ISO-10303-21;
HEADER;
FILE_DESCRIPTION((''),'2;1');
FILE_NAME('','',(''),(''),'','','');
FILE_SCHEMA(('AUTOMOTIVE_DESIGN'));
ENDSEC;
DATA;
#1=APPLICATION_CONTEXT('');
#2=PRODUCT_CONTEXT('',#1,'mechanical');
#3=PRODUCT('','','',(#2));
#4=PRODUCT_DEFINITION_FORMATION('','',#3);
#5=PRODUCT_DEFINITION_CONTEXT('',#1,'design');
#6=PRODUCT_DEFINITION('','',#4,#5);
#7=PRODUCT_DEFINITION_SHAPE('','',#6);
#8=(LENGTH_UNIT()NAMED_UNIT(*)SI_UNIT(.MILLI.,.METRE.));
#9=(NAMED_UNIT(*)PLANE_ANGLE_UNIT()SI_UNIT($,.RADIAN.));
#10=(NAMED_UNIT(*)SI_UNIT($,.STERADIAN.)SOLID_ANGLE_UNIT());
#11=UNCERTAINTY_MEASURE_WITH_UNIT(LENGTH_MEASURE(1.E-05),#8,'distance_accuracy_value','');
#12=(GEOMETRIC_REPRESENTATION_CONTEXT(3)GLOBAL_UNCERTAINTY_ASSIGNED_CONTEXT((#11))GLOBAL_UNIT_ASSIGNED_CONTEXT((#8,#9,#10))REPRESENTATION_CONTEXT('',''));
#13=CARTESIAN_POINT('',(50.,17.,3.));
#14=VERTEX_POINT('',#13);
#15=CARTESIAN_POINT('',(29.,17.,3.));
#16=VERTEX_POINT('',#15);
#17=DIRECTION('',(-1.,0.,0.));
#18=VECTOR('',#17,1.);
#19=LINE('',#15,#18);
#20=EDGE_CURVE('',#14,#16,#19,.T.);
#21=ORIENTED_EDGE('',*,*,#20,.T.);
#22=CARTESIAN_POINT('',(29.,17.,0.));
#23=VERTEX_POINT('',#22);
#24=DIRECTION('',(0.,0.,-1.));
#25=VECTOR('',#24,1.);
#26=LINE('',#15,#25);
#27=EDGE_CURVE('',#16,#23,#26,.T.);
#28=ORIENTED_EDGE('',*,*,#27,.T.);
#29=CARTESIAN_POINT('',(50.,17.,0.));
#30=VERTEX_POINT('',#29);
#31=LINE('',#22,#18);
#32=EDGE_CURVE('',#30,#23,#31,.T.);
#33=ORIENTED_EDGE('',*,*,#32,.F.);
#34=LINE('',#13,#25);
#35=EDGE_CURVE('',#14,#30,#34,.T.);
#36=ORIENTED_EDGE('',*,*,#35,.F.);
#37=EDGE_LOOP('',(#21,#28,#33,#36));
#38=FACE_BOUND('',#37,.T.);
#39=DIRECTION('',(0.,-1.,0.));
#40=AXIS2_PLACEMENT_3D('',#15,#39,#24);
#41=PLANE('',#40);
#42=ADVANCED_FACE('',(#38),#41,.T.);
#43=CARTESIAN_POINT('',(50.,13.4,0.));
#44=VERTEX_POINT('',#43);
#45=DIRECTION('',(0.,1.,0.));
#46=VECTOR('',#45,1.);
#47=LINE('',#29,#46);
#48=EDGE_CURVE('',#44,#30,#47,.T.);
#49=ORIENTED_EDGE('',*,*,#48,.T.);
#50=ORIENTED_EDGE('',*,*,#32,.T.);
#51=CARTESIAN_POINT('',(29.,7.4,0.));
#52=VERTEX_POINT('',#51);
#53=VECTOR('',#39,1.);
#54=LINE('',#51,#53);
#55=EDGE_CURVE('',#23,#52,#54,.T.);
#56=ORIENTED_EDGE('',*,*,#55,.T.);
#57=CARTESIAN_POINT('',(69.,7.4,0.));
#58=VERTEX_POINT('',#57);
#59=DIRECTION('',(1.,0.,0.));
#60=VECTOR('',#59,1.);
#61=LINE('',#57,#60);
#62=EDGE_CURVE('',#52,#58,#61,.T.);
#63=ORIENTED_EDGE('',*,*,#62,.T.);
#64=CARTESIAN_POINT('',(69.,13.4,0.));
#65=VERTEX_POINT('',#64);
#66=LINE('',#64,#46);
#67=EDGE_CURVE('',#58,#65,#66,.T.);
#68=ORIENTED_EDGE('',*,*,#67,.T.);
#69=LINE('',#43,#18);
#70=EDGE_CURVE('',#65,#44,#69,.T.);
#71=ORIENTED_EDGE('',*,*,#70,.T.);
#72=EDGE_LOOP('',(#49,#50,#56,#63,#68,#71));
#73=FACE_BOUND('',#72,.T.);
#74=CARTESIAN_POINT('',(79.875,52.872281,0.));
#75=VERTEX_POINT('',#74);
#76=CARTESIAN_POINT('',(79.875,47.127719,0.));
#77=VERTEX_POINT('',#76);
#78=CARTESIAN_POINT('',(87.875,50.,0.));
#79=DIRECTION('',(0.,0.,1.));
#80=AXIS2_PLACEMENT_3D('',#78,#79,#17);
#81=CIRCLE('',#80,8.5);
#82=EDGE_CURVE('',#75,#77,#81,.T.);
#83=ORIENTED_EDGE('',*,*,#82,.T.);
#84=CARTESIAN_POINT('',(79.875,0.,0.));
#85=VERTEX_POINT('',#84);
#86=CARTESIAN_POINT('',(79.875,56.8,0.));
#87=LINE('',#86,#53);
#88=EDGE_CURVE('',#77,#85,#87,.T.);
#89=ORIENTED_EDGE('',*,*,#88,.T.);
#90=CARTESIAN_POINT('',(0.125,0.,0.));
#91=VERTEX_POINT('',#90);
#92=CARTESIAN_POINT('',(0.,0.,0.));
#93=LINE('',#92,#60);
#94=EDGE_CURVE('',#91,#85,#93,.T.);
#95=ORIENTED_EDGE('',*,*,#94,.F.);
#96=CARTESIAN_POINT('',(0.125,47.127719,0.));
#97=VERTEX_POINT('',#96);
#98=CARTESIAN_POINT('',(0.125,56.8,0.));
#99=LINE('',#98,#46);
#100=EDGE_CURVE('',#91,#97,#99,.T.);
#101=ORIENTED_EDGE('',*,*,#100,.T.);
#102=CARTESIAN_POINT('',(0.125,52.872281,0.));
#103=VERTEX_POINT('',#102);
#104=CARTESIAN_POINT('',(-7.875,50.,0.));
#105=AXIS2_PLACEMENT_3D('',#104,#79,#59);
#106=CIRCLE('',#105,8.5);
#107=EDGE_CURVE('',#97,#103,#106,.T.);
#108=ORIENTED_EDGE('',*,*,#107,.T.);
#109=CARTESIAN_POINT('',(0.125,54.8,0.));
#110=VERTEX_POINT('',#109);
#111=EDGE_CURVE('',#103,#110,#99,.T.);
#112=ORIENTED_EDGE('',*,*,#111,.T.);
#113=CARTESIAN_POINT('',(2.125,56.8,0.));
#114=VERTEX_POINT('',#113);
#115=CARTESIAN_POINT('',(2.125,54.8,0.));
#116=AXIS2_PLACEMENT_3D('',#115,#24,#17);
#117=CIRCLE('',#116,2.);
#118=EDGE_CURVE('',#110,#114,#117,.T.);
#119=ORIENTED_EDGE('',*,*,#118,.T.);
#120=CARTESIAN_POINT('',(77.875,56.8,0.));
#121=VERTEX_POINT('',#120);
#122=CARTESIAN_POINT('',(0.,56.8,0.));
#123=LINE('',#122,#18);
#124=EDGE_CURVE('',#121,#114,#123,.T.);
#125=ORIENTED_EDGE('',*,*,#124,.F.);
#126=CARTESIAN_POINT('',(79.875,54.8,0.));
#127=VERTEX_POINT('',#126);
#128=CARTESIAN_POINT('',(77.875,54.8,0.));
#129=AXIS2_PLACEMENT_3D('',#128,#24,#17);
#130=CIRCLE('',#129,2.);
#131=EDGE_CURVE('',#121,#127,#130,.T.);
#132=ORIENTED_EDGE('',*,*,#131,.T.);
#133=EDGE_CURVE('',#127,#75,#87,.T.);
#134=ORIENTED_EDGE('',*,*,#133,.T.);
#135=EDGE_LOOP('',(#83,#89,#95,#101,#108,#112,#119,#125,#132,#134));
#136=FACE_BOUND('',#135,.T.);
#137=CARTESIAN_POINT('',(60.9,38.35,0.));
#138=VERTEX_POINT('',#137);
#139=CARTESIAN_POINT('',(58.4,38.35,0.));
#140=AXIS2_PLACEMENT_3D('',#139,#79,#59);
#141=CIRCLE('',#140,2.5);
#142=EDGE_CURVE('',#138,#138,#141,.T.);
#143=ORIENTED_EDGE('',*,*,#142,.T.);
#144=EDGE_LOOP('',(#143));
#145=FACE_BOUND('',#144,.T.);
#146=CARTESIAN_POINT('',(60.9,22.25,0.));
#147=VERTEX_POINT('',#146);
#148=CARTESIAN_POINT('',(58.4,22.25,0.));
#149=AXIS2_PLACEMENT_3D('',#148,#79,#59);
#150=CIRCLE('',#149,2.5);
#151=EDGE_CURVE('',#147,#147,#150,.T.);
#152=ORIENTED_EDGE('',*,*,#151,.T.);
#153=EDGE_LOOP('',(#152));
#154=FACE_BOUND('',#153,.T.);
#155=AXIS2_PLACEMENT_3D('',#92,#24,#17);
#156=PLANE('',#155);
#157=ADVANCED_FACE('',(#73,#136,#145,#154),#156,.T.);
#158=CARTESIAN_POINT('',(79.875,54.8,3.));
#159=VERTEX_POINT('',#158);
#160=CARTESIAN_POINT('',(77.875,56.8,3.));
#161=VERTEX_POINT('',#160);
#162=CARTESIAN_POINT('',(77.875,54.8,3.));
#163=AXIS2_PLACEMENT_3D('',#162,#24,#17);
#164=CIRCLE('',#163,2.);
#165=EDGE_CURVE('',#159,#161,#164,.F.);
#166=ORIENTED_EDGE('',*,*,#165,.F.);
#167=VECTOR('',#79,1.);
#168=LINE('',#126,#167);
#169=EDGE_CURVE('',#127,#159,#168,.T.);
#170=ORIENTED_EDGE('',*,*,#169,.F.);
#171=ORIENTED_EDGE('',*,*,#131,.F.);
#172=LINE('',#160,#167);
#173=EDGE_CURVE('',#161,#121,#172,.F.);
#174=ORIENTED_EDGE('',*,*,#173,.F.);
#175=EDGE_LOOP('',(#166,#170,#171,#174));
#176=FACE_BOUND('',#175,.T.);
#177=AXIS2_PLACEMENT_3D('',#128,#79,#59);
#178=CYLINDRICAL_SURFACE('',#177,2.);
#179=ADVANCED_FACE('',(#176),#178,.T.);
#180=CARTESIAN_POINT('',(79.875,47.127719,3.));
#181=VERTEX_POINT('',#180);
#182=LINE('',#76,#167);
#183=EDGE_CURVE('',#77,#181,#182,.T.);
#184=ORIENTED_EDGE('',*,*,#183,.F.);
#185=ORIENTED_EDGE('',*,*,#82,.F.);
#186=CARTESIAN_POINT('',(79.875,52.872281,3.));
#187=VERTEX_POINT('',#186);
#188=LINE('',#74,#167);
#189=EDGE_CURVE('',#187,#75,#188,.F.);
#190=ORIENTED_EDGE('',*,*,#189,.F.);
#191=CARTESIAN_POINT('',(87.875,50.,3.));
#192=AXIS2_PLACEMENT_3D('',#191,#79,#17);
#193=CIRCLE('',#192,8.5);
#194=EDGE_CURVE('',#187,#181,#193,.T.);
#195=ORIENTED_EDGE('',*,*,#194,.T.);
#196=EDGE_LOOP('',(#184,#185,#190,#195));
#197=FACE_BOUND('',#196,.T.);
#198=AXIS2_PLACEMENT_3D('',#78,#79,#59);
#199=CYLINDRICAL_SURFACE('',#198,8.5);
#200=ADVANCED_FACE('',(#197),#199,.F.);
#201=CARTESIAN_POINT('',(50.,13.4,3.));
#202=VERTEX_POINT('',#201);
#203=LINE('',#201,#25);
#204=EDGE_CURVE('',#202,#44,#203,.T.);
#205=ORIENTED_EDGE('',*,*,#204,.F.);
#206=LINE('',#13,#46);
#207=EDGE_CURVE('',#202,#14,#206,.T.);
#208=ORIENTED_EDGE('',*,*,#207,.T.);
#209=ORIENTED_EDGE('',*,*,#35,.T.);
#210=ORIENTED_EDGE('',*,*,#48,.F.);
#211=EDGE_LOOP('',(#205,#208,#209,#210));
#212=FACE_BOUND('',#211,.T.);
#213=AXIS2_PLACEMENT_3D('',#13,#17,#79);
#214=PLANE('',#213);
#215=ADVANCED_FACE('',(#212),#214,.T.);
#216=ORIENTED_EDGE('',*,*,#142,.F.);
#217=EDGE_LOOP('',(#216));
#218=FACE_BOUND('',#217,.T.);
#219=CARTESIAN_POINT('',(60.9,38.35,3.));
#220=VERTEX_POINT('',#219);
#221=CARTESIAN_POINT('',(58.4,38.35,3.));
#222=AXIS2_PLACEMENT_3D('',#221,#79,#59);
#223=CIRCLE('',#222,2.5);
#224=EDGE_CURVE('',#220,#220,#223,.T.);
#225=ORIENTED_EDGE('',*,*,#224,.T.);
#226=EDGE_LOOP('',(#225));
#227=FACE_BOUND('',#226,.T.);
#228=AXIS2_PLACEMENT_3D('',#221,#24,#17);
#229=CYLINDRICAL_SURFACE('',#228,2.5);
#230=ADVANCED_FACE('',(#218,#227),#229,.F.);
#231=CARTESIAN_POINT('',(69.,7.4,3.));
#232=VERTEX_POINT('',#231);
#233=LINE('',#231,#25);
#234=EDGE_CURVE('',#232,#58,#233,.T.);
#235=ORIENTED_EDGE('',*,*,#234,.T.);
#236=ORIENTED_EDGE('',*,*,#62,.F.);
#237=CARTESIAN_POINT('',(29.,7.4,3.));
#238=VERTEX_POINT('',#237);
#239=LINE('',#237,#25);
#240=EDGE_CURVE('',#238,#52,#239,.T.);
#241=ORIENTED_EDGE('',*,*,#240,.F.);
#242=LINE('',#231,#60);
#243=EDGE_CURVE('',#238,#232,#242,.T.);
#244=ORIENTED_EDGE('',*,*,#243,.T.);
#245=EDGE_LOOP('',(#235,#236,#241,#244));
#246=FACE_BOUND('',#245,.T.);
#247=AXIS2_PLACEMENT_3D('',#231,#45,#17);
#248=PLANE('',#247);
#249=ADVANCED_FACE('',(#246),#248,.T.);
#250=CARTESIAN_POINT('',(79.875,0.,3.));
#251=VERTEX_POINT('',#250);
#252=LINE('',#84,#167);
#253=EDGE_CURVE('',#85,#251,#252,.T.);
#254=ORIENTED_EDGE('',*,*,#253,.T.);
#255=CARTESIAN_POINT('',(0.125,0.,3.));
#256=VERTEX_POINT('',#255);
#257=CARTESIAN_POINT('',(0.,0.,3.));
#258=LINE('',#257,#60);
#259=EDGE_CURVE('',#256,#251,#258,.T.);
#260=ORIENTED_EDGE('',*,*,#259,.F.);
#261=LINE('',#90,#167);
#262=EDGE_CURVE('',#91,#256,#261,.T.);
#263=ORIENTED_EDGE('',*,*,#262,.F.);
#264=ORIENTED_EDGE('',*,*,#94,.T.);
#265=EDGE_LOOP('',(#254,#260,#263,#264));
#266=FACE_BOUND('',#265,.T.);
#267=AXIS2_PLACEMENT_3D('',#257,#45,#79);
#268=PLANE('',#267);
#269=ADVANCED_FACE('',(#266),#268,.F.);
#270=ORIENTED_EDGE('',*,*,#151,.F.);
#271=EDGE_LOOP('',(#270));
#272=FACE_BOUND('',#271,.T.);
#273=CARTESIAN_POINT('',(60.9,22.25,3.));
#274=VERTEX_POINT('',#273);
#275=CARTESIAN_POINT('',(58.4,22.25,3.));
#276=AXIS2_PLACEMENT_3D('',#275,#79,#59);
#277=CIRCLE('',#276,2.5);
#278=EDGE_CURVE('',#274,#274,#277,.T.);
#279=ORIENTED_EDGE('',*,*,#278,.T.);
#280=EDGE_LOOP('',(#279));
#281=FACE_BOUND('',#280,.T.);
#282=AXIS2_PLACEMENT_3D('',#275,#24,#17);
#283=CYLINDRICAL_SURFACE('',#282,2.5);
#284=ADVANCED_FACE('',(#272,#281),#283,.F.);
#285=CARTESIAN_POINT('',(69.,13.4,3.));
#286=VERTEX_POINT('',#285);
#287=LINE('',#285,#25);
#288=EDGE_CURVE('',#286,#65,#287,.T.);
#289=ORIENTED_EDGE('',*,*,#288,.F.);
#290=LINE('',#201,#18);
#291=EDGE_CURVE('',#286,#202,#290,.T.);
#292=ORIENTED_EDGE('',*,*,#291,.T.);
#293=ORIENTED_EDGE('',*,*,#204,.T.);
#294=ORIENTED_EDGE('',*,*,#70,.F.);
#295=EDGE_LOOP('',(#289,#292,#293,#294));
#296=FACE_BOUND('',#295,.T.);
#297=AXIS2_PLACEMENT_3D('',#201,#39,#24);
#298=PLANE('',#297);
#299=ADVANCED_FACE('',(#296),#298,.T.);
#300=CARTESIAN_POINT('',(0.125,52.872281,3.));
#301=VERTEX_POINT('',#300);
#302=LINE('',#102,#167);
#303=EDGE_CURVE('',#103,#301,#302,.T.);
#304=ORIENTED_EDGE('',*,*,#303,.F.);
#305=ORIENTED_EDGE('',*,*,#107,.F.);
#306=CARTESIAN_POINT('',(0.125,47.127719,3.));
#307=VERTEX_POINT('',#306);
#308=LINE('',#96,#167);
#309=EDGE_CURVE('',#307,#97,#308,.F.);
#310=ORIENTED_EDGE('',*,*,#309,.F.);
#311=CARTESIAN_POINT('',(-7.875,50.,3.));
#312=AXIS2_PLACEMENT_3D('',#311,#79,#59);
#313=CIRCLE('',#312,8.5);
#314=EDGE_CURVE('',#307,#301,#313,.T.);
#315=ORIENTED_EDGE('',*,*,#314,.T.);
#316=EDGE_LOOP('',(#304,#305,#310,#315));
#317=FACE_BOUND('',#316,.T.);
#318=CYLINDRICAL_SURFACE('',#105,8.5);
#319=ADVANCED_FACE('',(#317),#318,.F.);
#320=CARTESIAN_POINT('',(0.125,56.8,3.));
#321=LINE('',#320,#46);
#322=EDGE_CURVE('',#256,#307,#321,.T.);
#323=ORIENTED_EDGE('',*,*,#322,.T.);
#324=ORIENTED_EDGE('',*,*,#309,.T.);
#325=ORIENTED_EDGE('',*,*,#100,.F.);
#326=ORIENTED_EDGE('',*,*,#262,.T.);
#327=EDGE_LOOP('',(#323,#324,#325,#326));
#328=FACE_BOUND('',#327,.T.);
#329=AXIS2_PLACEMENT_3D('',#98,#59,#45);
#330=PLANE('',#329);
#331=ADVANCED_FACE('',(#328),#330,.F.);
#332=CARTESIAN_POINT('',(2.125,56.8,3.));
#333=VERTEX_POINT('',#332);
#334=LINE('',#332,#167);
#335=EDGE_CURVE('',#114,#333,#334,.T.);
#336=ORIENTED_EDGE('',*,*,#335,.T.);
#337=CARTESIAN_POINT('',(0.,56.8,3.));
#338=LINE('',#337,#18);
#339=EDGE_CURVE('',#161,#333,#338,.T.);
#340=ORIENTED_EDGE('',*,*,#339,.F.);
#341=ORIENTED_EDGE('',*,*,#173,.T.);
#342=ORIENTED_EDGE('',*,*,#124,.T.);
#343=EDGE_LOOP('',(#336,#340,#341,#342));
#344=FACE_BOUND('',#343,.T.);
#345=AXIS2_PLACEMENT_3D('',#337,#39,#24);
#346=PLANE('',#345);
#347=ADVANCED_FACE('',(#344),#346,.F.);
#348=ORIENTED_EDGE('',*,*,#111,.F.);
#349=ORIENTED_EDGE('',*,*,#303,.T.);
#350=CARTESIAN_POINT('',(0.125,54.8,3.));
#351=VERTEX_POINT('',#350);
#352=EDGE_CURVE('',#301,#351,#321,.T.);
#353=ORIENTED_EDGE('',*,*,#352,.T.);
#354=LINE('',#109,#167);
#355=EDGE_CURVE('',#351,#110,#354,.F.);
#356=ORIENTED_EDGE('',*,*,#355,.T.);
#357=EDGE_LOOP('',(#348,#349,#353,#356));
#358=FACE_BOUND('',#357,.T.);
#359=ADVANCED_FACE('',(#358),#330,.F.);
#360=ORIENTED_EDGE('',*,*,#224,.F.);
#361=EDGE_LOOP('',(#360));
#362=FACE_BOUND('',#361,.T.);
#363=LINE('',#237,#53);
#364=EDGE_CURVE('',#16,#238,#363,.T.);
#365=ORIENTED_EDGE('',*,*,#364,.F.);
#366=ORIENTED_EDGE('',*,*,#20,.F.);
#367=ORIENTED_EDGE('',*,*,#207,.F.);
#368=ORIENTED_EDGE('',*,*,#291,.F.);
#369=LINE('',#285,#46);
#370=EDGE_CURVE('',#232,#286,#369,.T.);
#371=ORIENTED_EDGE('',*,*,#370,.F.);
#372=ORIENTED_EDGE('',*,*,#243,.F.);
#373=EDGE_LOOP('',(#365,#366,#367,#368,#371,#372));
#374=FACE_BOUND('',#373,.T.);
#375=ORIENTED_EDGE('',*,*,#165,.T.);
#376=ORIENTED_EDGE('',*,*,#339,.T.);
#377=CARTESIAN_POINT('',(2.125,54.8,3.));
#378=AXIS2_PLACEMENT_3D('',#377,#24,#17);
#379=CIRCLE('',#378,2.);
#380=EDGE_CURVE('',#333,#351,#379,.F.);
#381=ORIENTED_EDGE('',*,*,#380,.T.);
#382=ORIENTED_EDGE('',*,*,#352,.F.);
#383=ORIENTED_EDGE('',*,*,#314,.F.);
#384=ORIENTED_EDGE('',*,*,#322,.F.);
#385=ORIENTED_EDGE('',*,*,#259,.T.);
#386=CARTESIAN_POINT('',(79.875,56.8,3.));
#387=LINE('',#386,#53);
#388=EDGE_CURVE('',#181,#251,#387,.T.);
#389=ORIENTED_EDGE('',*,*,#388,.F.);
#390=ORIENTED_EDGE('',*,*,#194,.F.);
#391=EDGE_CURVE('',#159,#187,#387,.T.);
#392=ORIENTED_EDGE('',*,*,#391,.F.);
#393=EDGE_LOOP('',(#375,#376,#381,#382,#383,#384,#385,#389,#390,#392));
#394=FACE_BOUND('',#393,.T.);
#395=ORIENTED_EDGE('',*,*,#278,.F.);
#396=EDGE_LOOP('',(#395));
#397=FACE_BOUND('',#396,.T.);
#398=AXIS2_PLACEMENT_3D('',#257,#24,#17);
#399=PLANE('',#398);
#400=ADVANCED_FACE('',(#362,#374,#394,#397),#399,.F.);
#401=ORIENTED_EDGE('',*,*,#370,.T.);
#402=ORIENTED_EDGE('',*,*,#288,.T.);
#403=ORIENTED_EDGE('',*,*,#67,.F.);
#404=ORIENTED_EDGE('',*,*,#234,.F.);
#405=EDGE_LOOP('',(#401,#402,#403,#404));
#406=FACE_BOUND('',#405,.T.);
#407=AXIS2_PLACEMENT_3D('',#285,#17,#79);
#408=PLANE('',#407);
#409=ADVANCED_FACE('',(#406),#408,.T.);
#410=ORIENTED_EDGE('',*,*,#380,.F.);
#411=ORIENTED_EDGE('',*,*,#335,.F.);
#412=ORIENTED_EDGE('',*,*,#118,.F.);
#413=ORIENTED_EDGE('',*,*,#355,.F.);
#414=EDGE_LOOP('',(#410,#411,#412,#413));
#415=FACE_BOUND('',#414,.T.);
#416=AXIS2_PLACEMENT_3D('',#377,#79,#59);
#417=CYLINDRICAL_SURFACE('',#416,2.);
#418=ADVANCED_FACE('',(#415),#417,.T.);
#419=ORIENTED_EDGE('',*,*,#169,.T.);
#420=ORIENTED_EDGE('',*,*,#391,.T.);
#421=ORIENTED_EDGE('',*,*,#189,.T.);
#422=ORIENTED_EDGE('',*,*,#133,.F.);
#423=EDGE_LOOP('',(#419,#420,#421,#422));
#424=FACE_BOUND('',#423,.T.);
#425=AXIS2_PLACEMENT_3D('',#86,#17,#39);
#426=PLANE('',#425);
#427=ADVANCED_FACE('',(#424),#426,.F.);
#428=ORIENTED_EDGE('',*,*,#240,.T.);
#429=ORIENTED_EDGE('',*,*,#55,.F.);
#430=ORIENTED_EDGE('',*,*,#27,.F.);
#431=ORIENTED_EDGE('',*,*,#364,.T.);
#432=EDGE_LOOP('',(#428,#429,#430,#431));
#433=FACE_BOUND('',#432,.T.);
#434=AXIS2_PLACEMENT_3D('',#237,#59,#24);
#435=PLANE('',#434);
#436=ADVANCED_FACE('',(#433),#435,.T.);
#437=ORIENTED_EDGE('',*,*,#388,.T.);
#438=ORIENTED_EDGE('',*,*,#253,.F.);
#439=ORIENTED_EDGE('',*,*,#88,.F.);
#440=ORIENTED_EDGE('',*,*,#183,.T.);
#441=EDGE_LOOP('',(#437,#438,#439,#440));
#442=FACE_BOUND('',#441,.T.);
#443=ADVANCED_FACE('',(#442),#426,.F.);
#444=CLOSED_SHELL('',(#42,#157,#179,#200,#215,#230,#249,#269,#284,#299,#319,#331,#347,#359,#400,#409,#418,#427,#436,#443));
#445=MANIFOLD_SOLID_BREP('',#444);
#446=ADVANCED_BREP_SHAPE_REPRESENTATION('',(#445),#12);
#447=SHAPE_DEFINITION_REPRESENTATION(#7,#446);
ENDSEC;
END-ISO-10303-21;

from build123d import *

# Parameters (mm, degrees)
SKETCH2_W           = 80
SKETCH2_H           = 56.8
SKETCH2_R           = 2.5
BOSS_EXTRUDE1_DEPTH = 3
SKETCH4_W           = 0.125
SKETCH4_H           = 56.8
CUT_EXTRUDE2_DEPTH  = 99.159258351
SKETCH3_R           = 8.5
CUT_EXTRUDE1_DEPTH  = 99.057409842
FILLET1_R           = 2


with BuildPart() as part:
    # Sketch2 → Boss-Extrude1 (new body)
    with BuildSketch(Plane.XY):
        with Locations((40, 28.4)):
            Rectangle(SKETCH2_W, SKETCH2_H)
        with Locations((58.4, 38.35)):
            Circle(SKETCH2_R, mode=Mode.SUBTRACT)
        with Locations((58.4, 22.25)):
            Circle(SKETCH2_R, mode=Mode.SUBTRACT)
        Polygon((29, 7.4), (29, 17), (50, 17), (50, 13.4), (69, 13.4), (69, 7.4), align=None, mode=Mode.SUBTRACT)
    extrude(amount=BOSS_EXTRUDE1_DEPTH)

    # Sketch4 → Cut-Extrude2 (cut, through all)
    with BuildSketch(Plane.XY.offset(3)):
        with Locations((0.0625, 28.4)):
            Rectangle(SKETCH4_W, SKETCH4_H)
        with Locations((79.9375, 28.4)):
            Rectangle(SKETCH4_W, SKETCH4_H)
    extrude(amount=-CUT_EXTRUDE2_DEPTH, mode=Mode.SUBTRACT)

    # Sketch3 → Cut-Extrude1 (cut, through all)
    with BuildSketch(Plane.XY.offset(3)):
        with Locations((-7.875, 50)):
            Circle(SKETCH3_R)
        with Locations((87.875, 50)):
            Circle(SKETCH3_R)
    extrude(amount=-CUT_EXTRUDE1_DEPTH, mode=Mode.SUBTRACT)

    # Fillet1
    fillet1_edges = [part.edges().sort_by_distance(p)[0] for p in [
        (0.125, 56.8, 1.5),
        (79.875, 56.8, 1.5),
    ]]
    fillet(fillet1_edges, radius=FILLET1_R)


solid = part.part
